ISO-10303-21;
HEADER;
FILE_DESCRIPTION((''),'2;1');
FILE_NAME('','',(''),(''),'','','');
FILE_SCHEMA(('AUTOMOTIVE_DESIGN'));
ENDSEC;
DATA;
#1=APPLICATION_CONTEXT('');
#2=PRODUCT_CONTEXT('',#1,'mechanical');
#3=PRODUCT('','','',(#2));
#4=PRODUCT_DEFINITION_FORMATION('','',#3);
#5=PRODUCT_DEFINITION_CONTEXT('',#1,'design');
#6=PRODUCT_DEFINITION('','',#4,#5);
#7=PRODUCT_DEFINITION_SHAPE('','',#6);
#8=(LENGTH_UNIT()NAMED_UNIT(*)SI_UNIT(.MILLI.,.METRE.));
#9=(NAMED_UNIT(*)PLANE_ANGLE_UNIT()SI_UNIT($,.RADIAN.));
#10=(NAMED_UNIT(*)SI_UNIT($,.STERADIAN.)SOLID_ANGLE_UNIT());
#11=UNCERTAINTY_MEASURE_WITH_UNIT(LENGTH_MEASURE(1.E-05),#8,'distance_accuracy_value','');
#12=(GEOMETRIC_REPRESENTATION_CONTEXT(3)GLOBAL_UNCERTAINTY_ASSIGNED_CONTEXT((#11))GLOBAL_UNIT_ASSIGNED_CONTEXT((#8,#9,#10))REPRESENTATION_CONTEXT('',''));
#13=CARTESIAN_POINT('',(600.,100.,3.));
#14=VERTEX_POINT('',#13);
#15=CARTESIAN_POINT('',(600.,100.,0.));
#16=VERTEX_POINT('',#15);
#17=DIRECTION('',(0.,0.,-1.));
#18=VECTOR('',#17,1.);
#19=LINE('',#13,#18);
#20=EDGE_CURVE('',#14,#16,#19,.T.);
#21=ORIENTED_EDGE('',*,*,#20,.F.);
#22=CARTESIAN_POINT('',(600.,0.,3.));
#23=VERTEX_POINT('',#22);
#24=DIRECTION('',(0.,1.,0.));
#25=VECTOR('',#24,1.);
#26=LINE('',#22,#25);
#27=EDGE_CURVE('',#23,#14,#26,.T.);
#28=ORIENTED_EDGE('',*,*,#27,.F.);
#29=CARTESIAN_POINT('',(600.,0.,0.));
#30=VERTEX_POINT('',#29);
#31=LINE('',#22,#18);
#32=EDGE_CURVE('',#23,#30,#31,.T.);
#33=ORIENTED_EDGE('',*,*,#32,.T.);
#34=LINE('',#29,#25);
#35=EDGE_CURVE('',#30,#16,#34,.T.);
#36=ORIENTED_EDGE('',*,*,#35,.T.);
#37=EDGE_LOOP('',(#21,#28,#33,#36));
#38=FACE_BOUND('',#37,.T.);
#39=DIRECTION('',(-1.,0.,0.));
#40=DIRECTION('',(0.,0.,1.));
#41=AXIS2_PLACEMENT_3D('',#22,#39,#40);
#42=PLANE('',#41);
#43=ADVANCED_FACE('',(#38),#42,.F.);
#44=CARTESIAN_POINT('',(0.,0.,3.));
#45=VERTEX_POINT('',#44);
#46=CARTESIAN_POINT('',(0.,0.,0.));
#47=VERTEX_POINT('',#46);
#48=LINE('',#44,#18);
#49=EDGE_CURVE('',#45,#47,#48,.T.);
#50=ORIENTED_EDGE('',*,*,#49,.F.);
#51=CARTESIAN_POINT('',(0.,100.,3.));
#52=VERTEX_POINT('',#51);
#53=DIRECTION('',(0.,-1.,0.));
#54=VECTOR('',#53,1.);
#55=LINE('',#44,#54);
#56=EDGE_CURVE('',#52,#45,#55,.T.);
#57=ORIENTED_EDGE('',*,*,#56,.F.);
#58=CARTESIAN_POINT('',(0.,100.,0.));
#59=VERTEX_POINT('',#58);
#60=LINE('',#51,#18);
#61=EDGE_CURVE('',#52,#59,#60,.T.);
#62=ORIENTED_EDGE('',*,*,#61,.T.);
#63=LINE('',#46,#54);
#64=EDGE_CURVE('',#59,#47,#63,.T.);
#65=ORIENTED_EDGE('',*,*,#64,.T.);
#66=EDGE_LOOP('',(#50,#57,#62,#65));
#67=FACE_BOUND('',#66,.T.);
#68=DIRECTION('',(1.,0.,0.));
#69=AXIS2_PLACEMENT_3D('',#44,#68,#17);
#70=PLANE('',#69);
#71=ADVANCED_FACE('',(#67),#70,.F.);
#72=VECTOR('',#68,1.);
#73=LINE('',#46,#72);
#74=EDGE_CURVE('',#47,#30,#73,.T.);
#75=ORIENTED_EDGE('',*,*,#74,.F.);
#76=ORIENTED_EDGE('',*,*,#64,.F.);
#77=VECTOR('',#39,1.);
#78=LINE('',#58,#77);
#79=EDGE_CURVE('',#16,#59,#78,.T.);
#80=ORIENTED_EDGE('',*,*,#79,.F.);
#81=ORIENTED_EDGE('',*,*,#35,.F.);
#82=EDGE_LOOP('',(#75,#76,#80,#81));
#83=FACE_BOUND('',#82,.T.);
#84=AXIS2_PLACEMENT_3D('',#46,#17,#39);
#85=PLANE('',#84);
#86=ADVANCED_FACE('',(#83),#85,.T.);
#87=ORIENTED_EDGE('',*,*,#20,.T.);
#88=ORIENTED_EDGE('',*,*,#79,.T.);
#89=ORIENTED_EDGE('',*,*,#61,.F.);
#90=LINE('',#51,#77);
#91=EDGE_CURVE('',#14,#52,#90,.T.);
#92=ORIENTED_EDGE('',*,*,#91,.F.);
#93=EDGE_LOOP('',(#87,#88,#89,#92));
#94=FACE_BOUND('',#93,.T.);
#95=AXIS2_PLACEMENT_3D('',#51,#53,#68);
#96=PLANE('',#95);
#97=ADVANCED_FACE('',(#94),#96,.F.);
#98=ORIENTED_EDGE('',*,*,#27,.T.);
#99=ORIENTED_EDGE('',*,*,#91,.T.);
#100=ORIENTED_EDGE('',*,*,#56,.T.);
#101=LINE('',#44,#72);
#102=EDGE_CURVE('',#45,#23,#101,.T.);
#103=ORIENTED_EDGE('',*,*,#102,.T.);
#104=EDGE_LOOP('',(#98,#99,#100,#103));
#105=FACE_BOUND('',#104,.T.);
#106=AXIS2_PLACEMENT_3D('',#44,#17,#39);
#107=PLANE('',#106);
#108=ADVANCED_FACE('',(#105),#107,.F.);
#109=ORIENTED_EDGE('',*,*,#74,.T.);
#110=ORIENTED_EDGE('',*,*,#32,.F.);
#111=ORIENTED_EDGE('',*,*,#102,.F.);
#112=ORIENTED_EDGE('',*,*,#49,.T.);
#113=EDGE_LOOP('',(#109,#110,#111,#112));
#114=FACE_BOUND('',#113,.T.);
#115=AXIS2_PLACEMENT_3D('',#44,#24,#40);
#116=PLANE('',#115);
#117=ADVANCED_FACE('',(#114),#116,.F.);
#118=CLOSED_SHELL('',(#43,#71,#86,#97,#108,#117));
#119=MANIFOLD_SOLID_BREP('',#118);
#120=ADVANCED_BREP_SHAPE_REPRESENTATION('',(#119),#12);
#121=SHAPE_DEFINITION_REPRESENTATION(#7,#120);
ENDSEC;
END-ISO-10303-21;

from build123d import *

# Parameters (mm, degrees)
SKETCH1_W           = 600
SKETCH1_H           = 100
BOSS_EXTRUDE1_DEPTH = 3


with BuildPart() as part:
    # Sketch1 → Boss-Extrude1 (new body)
    with BuildSketch(Plane.XY):
        with Locations((300, 50)):
            Rectangle(SKETCH1_W, SKETCH1_H)
    extrude(amount=BOSS_EXTRUDE1_DEPTH)


solid = part.part
